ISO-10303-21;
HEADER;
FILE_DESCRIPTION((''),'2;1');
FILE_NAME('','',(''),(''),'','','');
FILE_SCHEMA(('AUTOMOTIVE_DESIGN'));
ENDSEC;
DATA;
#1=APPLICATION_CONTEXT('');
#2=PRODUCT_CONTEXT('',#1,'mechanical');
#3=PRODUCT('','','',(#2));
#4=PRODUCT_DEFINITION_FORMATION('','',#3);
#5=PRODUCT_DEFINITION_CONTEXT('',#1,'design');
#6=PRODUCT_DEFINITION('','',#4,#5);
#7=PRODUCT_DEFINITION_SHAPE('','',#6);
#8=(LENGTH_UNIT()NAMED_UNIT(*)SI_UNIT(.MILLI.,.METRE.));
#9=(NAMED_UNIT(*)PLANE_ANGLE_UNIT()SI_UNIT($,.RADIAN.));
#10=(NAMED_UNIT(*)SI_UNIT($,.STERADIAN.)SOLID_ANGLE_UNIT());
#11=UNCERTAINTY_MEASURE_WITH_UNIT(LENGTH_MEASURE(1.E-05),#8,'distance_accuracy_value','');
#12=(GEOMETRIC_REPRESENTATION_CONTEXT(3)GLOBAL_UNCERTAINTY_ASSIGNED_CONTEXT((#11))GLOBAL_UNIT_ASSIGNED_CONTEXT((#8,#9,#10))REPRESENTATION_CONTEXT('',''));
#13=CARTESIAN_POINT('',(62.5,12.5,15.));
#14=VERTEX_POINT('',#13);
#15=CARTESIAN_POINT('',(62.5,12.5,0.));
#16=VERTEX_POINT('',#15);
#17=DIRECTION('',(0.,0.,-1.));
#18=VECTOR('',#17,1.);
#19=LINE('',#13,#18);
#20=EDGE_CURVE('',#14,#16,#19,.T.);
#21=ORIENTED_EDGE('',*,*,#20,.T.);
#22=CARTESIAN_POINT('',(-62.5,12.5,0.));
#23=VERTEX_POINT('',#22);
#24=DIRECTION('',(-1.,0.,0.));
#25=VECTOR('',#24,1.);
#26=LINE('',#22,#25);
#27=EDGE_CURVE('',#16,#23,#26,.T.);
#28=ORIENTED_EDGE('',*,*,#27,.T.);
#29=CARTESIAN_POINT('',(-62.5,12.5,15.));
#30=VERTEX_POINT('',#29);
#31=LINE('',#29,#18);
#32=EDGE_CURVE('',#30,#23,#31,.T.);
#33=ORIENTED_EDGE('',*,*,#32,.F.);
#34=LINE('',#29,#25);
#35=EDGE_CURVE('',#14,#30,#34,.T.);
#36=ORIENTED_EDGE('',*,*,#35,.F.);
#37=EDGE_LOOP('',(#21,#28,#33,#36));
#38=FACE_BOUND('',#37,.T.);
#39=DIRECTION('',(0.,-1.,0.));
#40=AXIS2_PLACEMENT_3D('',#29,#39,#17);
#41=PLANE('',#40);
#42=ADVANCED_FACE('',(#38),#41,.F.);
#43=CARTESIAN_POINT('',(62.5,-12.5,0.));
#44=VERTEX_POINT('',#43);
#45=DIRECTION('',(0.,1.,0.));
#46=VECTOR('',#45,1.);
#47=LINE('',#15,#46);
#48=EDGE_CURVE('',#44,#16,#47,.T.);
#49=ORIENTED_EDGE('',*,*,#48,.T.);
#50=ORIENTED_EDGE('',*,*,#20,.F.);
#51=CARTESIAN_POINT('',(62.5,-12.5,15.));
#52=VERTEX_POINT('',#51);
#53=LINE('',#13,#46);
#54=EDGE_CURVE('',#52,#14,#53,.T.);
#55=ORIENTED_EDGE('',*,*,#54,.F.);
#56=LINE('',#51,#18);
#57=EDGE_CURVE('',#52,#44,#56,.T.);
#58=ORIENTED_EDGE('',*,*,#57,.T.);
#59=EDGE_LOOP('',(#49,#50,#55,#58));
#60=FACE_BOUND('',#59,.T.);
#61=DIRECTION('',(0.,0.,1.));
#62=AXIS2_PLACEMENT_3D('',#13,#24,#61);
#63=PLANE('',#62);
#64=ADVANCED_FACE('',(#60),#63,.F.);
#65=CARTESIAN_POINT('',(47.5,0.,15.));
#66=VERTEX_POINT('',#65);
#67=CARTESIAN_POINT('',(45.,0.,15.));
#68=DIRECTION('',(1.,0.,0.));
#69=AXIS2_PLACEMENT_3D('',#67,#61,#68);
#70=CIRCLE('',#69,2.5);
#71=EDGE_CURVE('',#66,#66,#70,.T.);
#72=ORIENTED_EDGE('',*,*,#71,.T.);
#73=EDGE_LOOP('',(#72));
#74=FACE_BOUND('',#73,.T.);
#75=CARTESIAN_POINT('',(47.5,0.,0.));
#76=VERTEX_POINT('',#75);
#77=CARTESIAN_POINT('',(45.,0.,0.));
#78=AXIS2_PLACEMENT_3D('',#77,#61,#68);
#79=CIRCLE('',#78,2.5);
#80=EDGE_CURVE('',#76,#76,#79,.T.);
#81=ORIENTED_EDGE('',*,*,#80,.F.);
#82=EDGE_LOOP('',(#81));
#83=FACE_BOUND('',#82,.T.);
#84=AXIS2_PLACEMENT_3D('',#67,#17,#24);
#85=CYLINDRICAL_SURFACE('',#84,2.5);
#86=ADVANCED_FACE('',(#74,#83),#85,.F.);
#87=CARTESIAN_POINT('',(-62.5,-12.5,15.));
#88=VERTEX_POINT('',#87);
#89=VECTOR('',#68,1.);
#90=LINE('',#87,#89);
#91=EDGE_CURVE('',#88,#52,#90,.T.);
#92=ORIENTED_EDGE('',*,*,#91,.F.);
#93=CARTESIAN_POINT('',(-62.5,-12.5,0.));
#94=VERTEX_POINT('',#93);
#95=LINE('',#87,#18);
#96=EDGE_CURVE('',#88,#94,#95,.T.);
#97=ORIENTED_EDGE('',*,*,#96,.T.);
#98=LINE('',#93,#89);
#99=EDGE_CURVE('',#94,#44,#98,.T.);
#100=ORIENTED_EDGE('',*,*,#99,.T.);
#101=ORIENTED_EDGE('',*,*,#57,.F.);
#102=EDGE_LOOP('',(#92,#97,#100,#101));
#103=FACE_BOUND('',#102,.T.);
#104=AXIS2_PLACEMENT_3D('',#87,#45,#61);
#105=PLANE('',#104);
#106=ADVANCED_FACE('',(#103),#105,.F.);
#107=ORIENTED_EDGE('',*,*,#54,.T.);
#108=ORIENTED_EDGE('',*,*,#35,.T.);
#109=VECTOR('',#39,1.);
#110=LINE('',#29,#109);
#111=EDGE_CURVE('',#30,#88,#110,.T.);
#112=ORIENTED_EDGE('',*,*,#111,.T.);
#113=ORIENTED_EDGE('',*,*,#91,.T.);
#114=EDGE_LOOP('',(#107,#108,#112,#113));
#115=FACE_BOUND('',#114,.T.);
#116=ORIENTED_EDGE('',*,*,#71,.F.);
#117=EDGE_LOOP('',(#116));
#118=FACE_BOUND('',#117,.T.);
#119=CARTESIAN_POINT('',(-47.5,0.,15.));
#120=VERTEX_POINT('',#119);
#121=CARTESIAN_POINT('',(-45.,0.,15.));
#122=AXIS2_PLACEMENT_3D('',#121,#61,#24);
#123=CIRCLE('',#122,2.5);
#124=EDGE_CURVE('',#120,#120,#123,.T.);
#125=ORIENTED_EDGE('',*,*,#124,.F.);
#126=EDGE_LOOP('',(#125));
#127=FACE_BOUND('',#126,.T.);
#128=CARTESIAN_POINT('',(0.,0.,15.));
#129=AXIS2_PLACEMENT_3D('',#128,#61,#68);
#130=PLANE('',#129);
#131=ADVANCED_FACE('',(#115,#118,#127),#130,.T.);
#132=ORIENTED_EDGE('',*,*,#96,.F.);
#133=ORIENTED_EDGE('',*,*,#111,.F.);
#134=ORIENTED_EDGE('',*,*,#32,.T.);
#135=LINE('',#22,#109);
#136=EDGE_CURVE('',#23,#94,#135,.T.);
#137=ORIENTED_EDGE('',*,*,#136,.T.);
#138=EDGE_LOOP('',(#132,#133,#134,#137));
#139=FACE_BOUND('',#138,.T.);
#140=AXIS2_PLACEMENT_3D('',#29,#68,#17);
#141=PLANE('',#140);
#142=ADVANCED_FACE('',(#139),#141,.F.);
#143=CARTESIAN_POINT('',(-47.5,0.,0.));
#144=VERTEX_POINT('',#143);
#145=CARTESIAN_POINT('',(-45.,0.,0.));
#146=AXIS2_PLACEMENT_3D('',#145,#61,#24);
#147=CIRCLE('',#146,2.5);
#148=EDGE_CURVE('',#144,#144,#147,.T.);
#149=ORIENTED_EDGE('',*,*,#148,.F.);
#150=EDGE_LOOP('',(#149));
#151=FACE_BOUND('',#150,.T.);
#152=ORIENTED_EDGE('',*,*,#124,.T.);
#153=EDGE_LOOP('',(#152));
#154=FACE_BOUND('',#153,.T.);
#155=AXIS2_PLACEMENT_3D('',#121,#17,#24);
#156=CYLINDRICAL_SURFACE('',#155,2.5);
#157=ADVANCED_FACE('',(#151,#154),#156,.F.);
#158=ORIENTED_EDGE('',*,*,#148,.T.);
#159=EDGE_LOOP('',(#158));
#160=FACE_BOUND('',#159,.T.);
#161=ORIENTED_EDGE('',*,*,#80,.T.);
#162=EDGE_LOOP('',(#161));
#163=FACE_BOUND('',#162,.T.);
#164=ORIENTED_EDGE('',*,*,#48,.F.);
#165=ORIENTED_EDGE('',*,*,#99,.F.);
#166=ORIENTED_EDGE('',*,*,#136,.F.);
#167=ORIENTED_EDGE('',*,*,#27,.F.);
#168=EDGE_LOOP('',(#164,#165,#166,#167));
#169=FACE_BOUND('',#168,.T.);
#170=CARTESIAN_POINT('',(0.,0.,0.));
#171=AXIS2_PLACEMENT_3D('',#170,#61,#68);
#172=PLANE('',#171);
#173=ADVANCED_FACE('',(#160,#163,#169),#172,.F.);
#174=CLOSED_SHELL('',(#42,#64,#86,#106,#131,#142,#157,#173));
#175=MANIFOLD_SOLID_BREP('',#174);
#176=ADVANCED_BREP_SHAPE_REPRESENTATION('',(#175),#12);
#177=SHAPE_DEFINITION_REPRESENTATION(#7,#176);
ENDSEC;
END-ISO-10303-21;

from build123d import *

# Parameters (mm, degrees)
SKETCH_1_W      = 125
SKETCH_1_H      = 25
SKETCH_1_R      = 2.5
EXTRUDE_1_DEPTH = 15


with BuildPart() as part:
    # 草图1 → 凸台-拉伸1 (new body)
    with BuildSketch(Plane.XY):
        Rectangle(SKETCH_1_W, SKETCH_1_H)
        with Locations((45, 0)):
            Circle(SKETCH_1_R, mode=Mode.SUBTRACT)
        with Locations(Location((-45, 0, 0), (0, 0, 180))):
            Circle(SKETCH_1_R, mode=Mode.SUBTRACT)
    extrude(amount=EXTRUDE_1_DEPTH)


solid = part.part
